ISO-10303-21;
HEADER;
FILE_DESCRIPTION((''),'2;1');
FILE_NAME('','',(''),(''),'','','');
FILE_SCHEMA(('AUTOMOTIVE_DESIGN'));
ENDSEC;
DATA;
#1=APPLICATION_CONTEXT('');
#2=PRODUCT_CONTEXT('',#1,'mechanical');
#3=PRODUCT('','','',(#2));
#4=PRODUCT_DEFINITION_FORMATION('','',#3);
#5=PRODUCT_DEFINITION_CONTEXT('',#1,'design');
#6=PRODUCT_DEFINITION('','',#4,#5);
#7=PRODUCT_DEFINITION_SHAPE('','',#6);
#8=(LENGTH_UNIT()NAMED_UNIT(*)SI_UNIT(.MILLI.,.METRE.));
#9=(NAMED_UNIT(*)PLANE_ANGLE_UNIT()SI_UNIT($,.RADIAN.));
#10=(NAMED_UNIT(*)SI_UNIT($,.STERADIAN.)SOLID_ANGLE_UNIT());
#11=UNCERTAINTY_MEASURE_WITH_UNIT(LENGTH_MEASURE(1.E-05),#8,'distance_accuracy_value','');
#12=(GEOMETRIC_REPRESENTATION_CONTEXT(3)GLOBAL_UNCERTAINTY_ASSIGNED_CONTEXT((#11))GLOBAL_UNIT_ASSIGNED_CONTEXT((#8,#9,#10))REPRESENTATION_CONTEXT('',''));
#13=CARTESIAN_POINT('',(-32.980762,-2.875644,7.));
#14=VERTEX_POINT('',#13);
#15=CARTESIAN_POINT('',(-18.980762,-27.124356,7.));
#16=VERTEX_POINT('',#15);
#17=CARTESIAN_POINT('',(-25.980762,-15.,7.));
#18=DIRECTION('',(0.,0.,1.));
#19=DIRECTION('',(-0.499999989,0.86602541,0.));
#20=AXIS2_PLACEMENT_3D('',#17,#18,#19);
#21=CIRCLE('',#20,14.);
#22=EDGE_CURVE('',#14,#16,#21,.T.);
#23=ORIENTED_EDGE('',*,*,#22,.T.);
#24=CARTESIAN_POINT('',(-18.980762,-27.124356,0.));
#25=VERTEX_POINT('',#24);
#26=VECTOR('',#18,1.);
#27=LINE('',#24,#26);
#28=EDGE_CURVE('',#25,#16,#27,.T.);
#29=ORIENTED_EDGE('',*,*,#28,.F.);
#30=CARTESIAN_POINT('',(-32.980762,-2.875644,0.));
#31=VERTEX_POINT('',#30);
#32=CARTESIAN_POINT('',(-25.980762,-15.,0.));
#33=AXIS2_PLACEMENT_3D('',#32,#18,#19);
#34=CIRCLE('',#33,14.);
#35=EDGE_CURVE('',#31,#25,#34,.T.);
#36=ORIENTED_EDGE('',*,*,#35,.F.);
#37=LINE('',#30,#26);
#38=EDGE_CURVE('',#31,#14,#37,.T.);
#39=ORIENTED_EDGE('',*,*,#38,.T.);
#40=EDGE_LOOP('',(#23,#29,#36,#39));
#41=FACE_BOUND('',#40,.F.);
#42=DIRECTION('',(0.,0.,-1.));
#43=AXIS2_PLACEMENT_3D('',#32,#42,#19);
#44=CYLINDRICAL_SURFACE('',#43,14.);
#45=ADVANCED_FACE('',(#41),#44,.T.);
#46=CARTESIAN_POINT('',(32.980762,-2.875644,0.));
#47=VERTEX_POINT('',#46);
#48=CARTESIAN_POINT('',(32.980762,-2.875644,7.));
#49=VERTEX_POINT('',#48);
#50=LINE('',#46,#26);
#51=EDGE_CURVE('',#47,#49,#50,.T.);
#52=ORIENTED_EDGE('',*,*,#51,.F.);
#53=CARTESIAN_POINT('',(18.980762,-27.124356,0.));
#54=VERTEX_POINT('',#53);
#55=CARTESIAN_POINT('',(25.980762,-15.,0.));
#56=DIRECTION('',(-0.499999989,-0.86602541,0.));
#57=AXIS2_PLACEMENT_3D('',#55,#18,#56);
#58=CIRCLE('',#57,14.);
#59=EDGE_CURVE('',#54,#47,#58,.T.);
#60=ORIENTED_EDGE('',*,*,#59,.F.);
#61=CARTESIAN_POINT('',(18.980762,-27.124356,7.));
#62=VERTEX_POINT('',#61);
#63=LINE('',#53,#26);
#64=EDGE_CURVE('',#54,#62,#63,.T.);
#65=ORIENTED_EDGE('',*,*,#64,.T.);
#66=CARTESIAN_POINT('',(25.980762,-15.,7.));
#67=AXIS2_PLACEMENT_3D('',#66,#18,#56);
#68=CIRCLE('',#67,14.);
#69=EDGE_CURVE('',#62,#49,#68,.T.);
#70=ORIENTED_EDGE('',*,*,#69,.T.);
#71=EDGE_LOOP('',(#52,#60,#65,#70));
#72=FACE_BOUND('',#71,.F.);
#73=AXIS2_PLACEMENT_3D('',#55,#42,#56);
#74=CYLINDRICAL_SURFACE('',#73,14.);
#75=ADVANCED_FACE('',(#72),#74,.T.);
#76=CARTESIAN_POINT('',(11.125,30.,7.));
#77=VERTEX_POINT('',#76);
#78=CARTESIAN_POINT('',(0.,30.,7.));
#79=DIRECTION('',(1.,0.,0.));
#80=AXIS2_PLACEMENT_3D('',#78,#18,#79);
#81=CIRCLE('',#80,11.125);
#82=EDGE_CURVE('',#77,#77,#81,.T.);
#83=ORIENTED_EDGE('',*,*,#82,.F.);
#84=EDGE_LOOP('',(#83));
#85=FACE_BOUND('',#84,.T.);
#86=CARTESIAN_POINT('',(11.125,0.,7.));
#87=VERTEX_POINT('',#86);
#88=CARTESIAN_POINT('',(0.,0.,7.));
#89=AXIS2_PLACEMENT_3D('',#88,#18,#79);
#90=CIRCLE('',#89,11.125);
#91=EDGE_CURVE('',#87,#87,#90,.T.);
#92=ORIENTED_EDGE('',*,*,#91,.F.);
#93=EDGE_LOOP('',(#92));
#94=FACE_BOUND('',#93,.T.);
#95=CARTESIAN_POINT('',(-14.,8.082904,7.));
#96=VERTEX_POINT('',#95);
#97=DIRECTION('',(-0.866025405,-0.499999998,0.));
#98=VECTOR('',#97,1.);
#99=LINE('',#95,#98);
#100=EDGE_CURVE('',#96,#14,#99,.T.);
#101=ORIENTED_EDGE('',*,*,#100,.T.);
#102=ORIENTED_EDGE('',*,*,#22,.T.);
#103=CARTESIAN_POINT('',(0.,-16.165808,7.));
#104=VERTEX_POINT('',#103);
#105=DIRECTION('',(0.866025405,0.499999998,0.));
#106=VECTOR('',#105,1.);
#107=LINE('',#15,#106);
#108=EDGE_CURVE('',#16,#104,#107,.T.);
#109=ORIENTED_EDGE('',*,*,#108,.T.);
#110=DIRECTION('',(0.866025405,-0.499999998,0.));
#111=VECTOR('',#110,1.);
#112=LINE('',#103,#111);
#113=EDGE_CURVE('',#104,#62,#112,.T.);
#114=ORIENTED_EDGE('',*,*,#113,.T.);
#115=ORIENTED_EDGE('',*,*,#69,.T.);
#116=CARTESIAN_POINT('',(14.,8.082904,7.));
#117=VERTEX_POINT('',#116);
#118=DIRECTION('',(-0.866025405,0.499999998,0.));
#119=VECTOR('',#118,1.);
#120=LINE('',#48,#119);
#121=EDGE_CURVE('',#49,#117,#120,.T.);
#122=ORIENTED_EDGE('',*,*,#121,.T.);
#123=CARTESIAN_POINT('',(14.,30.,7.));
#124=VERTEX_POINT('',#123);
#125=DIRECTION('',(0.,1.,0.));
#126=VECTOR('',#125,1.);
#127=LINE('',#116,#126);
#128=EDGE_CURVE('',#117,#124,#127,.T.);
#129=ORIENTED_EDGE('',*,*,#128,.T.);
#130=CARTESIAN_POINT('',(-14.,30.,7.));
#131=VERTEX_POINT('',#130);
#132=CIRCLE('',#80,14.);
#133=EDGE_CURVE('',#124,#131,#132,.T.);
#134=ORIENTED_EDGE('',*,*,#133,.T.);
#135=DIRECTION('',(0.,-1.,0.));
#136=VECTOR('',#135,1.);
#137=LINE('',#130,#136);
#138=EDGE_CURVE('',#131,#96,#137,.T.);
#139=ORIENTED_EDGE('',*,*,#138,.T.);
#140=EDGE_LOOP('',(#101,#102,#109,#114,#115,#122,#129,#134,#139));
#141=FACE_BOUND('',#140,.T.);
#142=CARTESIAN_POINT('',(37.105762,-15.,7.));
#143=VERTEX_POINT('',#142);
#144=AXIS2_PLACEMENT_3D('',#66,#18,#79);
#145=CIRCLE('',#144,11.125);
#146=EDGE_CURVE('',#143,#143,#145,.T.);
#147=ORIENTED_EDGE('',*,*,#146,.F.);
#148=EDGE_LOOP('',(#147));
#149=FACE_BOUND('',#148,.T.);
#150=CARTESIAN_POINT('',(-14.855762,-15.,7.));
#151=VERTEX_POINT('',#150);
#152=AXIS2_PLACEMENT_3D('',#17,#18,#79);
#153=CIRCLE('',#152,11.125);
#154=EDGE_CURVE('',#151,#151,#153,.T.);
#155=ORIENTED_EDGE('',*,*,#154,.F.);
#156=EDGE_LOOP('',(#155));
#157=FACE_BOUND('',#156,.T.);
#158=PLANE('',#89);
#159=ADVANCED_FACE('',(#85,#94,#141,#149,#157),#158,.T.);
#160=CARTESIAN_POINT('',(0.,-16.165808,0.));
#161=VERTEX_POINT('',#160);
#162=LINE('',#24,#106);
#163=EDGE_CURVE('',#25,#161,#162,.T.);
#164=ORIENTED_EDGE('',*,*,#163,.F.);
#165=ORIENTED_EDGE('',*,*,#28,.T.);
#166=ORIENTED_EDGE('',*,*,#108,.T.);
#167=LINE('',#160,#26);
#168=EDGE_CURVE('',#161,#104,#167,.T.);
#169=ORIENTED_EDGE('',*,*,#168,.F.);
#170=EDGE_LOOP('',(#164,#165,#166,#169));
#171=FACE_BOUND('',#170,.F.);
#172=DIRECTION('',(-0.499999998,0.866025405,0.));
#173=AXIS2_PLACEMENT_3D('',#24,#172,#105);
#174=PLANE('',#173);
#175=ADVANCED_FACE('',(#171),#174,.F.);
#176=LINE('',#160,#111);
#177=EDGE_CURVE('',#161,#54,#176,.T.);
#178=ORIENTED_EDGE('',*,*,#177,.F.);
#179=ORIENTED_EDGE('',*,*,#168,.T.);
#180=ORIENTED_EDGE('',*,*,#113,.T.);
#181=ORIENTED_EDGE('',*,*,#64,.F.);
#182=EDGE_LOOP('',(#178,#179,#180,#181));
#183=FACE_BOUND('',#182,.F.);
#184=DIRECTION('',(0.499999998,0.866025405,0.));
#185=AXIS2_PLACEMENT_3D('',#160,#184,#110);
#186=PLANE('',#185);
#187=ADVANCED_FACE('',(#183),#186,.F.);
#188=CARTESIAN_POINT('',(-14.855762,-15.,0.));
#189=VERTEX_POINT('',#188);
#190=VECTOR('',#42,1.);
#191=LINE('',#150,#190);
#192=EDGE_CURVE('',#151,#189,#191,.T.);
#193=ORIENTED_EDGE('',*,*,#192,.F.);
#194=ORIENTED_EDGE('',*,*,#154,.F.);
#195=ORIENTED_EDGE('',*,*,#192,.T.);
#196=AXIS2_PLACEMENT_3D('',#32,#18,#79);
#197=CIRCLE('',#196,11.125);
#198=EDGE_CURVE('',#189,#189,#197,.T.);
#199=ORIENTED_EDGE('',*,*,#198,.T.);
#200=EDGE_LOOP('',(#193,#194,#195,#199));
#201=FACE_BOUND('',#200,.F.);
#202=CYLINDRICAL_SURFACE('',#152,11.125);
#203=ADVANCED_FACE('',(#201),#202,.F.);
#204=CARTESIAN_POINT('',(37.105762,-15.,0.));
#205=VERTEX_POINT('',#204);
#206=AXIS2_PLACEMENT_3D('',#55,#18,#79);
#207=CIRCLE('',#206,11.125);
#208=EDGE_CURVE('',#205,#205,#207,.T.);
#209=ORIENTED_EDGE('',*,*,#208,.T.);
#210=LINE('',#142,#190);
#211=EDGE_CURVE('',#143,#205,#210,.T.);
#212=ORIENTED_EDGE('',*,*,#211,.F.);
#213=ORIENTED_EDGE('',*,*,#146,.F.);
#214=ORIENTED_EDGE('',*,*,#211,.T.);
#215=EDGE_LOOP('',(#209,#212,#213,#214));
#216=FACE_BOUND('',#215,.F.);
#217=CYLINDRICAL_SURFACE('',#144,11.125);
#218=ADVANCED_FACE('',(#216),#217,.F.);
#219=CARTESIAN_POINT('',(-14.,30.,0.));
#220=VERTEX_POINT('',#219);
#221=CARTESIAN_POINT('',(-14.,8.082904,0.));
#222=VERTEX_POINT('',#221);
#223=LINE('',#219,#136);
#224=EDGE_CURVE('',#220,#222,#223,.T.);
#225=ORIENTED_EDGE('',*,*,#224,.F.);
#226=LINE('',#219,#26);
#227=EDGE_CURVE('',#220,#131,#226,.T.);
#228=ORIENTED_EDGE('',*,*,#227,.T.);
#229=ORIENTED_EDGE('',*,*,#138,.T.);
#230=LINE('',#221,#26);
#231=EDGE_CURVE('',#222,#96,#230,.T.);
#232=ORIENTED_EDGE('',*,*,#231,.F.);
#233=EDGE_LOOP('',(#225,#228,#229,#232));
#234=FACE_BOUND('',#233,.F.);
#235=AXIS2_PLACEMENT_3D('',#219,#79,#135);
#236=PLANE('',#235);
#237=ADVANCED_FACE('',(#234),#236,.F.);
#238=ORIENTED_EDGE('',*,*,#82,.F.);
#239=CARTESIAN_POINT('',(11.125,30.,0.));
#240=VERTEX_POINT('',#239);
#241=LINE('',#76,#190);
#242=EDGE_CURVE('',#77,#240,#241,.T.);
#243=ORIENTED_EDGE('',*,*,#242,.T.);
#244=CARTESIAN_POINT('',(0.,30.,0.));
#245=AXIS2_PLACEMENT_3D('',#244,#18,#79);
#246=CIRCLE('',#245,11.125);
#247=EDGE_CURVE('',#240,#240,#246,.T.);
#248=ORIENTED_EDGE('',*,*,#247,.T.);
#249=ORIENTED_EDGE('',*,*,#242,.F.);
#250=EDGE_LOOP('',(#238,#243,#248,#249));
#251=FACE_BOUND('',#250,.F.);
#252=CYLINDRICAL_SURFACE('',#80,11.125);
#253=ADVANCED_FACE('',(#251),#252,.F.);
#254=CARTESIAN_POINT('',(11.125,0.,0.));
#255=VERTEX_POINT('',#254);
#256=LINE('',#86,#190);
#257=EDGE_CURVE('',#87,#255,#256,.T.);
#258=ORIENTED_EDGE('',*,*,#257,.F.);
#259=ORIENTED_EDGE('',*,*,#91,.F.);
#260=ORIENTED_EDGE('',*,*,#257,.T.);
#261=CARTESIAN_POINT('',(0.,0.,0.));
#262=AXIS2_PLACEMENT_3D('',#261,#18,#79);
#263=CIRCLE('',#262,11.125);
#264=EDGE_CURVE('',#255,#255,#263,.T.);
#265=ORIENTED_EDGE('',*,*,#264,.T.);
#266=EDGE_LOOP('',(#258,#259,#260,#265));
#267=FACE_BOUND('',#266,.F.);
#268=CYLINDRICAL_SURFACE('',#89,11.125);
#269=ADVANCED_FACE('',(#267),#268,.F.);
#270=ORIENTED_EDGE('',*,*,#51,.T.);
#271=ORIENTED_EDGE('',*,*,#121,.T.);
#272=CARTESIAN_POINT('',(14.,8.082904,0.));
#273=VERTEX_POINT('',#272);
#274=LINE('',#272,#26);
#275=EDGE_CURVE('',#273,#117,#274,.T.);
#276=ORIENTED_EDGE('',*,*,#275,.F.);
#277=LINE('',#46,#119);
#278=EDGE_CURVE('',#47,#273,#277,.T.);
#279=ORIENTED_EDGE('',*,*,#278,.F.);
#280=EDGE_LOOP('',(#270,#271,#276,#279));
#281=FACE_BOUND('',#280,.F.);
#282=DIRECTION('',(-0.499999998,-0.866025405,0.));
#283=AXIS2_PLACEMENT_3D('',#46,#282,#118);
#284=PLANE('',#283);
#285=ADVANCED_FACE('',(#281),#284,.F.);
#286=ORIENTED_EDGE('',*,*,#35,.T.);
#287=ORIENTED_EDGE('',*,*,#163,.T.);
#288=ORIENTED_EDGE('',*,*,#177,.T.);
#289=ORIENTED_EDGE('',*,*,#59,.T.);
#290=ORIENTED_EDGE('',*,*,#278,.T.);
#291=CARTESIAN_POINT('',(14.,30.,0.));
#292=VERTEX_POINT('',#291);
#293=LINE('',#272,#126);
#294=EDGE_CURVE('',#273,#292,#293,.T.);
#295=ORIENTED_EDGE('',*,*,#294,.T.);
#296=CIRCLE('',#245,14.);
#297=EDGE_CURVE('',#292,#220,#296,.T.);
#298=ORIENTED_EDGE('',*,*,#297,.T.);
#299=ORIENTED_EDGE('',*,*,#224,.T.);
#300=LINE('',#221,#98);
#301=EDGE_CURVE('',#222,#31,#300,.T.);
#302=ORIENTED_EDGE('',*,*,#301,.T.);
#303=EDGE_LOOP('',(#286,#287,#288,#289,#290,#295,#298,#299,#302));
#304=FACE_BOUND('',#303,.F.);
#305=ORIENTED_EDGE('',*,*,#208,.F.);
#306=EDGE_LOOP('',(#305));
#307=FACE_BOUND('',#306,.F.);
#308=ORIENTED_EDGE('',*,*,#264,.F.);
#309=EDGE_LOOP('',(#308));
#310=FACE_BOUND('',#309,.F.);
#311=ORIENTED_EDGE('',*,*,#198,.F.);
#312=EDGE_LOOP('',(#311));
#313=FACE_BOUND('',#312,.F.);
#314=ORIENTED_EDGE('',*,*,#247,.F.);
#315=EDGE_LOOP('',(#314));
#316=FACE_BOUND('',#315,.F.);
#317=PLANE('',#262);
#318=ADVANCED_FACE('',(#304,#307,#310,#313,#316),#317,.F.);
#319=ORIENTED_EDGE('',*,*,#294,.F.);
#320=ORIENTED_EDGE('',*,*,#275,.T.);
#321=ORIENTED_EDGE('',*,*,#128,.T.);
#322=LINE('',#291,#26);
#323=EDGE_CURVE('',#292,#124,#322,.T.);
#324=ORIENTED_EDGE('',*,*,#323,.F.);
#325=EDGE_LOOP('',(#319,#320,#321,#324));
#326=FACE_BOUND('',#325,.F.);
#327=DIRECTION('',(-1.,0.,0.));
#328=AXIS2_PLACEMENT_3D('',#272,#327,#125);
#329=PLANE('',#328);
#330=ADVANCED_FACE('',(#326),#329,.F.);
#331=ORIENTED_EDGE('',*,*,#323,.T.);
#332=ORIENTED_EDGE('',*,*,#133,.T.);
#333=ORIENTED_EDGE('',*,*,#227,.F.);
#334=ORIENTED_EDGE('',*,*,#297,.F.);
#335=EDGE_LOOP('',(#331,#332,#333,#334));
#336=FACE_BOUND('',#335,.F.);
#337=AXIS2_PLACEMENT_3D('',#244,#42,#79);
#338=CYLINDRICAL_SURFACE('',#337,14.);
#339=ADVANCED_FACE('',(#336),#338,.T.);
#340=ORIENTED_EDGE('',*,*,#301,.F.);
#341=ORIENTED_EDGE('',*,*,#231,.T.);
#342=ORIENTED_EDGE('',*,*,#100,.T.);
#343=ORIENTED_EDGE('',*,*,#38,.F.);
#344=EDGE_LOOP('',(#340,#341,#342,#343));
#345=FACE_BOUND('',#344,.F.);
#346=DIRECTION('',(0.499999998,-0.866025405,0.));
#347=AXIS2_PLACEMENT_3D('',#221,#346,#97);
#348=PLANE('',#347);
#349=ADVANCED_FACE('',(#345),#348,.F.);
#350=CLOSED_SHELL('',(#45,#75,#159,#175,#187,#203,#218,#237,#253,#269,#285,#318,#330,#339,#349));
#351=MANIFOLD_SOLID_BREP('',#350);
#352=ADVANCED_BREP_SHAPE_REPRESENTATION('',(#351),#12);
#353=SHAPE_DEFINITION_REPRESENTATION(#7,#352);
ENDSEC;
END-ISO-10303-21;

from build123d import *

# Parameters (mm, degrees)
F0_R     = 9.125
F1_DEPTH = 7
F2_R     = 11.125
F3_DEPTH = 7


with BuildPart() as f1:
    # F0 (on Top) → F1 (new body)
    with BuildSketch(Plane.XY):
        with BuildLine():
            ThreePointArc((14, 30), (0, 44), (-14, 30))
            Line((-14, 30), (-14, 8.082904))
            Line((-14, 8.082904), (-32.980762, -2.875644))
            ThreePointArc((-32.980762, -2.875644), (-38.105118, -22), (-18.980762, -27.124356))
            Line((-18.980762, -27.124356), (0, -16.165808))
            Line((0, -16.165808), (18.980762, -27.124356))
            ThreePointArc((18.980762, -27.124356), (38.105118, -22), (32.980762, -2.875644))
            Line((32.980762, -2.875644), (14, 8.082904))
            Line((14, 8.082904), (14, 30))
        make_face()
        with Locations((-25.980762, -15)):
            Circle(F0_R, mode=Mode.SUBTRACT)
        with Locations((25.980762, -15)):
            Circle(F0_R, mode=Mode.SUBTRACT)
        Circle(F0_R, mode=Mode.SUBTRACT)
        with Locations((0, 30)):
            Circle(F0_R, mode=Mode.SUBTRACT)
    extrude(amount=F1_DEPTH)

    # F2 (on face) → F3 (cut)
    with BuildSketch(Plane.XY.offset(7)):
        with Locations((0, 30)):
            Circle(F2_R)
        with Locations((25.980762, -15)):
            Circle(F2_R)
        with Locations((-25.980762, -15)):
            Circle(F2_R)
        Circle(F2_R)
    extrude(amount=-F3_DEPTH, mode=Mode.SUBTRACT)


solid = f1.part
